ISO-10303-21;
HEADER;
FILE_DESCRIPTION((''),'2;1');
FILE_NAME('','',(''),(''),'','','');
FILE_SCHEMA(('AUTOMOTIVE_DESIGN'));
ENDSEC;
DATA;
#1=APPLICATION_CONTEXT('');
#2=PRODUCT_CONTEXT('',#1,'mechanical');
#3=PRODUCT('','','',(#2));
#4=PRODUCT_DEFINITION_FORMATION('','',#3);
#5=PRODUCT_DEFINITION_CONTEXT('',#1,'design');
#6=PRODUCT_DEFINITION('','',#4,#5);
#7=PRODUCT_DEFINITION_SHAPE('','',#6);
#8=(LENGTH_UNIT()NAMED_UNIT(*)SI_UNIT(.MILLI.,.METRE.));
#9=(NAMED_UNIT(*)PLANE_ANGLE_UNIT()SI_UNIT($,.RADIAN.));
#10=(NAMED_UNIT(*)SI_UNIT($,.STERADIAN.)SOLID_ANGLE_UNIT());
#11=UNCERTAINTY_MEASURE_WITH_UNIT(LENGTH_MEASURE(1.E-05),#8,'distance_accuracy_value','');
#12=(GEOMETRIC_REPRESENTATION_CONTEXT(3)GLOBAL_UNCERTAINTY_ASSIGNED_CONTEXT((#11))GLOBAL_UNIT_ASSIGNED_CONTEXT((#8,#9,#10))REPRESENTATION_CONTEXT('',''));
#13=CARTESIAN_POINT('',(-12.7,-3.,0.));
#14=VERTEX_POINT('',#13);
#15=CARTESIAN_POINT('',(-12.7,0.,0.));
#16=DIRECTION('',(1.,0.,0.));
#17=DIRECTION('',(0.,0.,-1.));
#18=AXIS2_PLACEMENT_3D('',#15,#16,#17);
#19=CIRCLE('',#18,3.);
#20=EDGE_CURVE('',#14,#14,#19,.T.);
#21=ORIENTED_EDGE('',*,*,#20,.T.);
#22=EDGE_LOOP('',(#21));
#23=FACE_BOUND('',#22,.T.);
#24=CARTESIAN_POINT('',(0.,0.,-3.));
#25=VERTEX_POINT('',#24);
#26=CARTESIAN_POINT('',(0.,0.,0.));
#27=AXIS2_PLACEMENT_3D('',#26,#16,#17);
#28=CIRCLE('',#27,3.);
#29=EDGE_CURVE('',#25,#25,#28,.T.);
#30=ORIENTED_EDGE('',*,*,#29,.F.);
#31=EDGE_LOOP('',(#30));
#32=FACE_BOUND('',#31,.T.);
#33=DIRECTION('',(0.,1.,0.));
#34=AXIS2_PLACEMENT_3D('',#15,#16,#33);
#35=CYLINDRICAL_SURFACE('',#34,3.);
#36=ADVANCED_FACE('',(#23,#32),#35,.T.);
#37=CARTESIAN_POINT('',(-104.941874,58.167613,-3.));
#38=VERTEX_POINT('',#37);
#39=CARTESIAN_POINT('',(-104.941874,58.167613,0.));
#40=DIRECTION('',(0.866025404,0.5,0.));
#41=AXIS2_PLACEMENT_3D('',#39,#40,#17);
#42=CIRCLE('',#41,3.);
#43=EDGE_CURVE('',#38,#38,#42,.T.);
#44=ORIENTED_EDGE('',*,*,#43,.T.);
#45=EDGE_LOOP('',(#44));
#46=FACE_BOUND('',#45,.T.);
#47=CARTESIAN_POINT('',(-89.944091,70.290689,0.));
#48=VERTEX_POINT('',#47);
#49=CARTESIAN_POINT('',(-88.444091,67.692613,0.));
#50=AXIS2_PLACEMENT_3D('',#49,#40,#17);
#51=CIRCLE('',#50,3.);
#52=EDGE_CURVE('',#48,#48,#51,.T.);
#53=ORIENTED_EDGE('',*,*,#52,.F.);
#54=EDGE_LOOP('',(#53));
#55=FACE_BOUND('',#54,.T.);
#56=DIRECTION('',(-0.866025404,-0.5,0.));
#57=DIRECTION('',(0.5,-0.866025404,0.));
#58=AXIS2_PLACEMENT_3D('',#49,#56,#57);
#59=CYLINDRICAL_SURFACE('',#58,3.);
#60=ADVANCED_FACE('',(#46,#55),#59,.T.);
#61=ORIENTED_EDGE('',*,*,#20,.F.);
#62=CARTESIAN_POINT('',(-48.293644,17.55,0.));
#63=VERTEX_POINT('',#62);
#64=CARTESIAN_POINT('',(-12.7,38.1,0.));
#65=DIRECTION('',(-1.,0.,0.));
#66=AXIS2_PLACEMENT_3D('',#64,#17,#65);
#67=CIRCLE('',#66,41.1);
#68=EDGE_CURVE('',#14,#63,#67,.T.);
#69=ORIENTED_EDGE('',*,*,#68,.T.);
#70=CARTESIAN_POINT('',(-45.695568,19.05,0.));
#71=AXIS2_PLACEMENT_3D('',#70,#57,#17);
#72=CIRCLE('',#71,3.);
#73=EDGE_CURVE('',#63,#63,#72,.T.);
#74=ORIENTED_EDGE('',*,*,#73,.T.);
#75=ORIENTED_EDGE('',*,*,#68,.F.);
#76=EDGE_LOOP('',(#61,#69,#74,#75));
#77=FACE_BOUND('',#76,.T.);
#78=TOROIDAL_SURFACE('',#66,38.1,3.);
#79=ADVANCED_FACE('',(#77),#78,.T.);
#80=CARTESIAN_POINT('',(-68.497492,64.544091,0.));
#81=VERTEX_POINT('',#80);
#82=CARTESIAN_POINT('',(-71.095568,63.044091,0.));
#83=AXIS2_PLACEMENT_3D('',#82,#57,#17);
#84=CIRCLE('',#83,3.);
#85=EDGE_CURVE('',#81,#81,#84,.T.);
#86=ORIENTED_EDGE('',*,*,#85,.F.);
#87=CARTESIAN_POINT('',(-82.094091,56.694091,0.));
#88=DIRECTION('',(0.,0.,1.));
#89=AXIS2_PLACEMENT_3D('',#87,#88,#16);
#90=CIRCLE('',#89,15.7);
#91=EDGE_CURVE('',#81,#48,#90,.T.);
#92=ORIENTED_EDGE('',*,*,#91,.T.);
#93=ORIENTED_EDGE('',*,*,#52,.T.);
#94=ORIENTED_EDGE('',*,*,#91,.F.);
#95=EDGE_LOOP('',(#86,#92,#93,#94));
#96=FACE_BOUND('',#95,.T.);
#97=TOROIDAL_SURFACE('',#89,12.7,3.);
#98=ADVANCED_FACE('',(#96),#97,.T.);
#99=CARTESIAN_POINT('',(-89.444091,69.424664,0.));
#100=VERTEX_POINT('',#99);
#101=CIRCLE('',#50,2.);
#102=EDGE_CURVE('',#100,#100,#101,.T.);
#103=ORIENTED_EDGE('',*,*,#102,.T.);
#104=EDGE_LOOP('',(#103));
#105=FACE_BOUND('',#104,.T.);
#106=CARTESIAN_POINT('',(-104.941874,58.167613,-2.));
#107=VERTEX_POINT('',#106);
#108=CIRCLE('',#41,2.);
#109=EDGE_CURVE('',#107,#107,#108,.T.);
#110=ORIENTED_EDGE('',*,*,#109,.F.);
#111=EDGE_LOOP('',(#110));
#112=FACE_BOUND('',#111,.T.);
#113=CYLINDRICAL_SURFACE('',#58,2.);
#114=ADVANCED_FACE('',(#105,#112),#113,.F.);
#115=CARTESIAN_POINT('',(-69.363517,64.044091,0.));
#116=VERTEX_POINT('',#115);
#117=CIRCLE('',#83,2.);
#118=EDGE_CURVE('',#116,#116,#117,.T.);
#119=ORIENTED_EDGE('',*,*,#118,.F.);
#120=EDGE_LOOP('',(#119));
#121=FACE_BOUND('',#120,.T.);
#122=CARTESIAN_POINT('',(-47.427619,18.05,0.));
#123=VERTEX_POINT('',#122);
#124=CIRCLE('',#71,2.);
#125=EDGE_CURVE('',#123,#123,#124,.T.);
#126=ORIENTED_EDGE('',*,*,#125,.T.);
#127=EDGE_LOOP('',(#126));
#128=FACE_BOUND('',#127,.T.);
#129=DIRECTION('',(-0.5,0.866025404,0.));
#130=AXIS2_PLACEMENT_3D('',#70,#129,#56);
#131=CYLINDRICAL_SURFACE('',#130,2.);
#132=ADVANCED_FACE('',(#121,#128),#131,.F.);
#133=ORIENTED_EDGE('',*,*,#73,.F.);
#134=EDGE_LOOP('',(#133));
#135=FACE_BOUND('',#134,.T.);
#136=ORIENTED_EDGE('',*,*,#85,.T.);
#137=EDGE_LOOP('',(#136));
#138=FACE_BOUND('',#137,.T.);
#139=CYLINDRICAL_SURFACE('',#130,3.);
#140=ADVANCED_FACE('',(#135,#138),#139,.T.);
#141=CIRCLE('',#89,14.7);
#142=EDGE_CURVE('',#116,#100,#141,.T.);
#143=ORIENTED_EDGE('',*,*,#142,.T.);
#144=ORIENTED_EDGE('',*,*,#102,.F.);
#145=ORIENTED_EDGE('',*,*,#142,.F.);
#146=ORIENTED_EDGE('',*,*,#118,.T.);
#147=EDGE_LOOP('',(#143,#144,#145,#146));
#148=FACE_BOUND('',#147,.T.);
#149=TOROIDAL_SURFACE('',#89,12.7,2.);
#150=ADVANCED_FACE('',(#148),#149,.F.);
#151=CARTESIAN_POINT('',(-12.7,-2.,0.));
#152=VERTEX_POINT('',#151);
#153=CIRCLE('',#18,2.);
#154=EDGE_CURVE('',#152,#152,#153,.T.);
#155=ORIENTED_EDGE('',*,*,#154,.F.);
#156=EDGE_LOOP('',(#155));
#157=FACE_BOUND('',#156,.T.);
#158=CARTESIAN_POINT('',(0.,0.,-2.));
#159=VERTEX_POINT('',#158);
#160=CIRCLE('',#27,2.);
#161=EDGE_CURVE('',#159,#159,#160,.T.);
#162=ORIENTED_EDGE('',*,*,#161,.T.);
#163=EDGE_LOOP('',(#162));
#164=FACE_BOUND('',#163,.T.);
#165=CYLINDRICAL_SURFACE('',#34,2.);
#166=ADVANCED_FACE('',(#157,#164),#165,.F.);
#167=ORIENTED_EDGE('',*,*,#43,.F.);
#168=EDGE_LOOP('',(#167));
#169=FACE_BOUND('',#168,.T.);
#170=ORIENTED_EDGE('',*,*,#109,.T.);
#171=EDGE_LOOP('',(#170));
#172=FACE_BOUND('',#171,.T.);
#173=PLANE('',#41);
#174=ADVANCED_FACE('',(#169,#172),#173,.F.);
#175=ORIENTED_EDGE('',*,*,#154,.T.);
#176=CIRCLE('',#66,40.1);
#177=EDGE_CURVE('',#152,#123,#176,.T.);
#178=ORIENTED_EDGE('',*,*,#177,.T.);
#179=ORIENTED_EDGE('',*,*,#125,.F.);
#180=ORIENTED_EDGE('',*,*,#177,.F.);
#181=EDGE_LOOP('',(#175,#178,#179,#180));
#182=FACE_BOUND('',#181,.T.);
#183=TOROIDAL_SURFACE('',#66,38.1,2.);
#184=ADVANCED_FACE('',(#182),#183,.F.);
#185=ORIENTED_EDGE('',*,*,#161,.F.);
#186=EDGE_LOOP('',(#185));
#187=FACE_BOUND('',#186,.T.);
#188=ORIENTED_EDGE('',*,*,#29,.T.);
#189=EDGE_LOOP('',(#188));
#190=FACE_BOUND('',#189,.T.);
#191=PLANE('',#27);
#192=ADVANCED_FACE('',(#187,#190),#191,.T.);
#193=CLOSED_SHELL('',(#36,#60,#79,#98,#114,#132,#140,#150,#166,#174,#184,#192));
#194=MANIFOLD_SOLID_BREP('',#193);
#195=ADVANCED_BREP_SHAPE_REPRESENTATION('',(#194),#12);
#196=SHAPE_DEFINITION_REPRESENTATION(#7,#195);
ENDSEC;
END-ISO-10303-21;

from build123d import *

# Parameters (mm, degrees)
SKETCH1_R   = 3
SKETCH1_R_2 = 2


with BuildPart() as part:
    # Sweep1: sweep along a path in Sketch2
    with BuildLine(Plane.XY) as sweep1_path:
        Line((0, 0), (-12.7, 0))
        ThreePointArc((-12.7, 0), (-31.75, 5.104432116), (-45.695567884, 19.05))
        Line((-45.695567884, 19.05), (-71.095567884, 63.044090512))
        ThreePointArc((-71.095567884, 63.044090512), (-78.807088639, 68.961348506), (-88.444090512, 67.69261314))
        Line((-88.444090512, 67.69261314), (-104.941874454, 58.16761314))
    # Sketch1 → Sweep1 (sweep)
    with BuildSketch(Plane(origin=(0, 0, 0), x_dir=(0, 0, -1), z_dir=(1, 0, 0))):
        Circle(SKETCH1_R)
        Circle(SKETCH1_R_2, mode=Mode.SUBTRACT)
    sweep(path=sweep1_path.line)


solid = part.part
